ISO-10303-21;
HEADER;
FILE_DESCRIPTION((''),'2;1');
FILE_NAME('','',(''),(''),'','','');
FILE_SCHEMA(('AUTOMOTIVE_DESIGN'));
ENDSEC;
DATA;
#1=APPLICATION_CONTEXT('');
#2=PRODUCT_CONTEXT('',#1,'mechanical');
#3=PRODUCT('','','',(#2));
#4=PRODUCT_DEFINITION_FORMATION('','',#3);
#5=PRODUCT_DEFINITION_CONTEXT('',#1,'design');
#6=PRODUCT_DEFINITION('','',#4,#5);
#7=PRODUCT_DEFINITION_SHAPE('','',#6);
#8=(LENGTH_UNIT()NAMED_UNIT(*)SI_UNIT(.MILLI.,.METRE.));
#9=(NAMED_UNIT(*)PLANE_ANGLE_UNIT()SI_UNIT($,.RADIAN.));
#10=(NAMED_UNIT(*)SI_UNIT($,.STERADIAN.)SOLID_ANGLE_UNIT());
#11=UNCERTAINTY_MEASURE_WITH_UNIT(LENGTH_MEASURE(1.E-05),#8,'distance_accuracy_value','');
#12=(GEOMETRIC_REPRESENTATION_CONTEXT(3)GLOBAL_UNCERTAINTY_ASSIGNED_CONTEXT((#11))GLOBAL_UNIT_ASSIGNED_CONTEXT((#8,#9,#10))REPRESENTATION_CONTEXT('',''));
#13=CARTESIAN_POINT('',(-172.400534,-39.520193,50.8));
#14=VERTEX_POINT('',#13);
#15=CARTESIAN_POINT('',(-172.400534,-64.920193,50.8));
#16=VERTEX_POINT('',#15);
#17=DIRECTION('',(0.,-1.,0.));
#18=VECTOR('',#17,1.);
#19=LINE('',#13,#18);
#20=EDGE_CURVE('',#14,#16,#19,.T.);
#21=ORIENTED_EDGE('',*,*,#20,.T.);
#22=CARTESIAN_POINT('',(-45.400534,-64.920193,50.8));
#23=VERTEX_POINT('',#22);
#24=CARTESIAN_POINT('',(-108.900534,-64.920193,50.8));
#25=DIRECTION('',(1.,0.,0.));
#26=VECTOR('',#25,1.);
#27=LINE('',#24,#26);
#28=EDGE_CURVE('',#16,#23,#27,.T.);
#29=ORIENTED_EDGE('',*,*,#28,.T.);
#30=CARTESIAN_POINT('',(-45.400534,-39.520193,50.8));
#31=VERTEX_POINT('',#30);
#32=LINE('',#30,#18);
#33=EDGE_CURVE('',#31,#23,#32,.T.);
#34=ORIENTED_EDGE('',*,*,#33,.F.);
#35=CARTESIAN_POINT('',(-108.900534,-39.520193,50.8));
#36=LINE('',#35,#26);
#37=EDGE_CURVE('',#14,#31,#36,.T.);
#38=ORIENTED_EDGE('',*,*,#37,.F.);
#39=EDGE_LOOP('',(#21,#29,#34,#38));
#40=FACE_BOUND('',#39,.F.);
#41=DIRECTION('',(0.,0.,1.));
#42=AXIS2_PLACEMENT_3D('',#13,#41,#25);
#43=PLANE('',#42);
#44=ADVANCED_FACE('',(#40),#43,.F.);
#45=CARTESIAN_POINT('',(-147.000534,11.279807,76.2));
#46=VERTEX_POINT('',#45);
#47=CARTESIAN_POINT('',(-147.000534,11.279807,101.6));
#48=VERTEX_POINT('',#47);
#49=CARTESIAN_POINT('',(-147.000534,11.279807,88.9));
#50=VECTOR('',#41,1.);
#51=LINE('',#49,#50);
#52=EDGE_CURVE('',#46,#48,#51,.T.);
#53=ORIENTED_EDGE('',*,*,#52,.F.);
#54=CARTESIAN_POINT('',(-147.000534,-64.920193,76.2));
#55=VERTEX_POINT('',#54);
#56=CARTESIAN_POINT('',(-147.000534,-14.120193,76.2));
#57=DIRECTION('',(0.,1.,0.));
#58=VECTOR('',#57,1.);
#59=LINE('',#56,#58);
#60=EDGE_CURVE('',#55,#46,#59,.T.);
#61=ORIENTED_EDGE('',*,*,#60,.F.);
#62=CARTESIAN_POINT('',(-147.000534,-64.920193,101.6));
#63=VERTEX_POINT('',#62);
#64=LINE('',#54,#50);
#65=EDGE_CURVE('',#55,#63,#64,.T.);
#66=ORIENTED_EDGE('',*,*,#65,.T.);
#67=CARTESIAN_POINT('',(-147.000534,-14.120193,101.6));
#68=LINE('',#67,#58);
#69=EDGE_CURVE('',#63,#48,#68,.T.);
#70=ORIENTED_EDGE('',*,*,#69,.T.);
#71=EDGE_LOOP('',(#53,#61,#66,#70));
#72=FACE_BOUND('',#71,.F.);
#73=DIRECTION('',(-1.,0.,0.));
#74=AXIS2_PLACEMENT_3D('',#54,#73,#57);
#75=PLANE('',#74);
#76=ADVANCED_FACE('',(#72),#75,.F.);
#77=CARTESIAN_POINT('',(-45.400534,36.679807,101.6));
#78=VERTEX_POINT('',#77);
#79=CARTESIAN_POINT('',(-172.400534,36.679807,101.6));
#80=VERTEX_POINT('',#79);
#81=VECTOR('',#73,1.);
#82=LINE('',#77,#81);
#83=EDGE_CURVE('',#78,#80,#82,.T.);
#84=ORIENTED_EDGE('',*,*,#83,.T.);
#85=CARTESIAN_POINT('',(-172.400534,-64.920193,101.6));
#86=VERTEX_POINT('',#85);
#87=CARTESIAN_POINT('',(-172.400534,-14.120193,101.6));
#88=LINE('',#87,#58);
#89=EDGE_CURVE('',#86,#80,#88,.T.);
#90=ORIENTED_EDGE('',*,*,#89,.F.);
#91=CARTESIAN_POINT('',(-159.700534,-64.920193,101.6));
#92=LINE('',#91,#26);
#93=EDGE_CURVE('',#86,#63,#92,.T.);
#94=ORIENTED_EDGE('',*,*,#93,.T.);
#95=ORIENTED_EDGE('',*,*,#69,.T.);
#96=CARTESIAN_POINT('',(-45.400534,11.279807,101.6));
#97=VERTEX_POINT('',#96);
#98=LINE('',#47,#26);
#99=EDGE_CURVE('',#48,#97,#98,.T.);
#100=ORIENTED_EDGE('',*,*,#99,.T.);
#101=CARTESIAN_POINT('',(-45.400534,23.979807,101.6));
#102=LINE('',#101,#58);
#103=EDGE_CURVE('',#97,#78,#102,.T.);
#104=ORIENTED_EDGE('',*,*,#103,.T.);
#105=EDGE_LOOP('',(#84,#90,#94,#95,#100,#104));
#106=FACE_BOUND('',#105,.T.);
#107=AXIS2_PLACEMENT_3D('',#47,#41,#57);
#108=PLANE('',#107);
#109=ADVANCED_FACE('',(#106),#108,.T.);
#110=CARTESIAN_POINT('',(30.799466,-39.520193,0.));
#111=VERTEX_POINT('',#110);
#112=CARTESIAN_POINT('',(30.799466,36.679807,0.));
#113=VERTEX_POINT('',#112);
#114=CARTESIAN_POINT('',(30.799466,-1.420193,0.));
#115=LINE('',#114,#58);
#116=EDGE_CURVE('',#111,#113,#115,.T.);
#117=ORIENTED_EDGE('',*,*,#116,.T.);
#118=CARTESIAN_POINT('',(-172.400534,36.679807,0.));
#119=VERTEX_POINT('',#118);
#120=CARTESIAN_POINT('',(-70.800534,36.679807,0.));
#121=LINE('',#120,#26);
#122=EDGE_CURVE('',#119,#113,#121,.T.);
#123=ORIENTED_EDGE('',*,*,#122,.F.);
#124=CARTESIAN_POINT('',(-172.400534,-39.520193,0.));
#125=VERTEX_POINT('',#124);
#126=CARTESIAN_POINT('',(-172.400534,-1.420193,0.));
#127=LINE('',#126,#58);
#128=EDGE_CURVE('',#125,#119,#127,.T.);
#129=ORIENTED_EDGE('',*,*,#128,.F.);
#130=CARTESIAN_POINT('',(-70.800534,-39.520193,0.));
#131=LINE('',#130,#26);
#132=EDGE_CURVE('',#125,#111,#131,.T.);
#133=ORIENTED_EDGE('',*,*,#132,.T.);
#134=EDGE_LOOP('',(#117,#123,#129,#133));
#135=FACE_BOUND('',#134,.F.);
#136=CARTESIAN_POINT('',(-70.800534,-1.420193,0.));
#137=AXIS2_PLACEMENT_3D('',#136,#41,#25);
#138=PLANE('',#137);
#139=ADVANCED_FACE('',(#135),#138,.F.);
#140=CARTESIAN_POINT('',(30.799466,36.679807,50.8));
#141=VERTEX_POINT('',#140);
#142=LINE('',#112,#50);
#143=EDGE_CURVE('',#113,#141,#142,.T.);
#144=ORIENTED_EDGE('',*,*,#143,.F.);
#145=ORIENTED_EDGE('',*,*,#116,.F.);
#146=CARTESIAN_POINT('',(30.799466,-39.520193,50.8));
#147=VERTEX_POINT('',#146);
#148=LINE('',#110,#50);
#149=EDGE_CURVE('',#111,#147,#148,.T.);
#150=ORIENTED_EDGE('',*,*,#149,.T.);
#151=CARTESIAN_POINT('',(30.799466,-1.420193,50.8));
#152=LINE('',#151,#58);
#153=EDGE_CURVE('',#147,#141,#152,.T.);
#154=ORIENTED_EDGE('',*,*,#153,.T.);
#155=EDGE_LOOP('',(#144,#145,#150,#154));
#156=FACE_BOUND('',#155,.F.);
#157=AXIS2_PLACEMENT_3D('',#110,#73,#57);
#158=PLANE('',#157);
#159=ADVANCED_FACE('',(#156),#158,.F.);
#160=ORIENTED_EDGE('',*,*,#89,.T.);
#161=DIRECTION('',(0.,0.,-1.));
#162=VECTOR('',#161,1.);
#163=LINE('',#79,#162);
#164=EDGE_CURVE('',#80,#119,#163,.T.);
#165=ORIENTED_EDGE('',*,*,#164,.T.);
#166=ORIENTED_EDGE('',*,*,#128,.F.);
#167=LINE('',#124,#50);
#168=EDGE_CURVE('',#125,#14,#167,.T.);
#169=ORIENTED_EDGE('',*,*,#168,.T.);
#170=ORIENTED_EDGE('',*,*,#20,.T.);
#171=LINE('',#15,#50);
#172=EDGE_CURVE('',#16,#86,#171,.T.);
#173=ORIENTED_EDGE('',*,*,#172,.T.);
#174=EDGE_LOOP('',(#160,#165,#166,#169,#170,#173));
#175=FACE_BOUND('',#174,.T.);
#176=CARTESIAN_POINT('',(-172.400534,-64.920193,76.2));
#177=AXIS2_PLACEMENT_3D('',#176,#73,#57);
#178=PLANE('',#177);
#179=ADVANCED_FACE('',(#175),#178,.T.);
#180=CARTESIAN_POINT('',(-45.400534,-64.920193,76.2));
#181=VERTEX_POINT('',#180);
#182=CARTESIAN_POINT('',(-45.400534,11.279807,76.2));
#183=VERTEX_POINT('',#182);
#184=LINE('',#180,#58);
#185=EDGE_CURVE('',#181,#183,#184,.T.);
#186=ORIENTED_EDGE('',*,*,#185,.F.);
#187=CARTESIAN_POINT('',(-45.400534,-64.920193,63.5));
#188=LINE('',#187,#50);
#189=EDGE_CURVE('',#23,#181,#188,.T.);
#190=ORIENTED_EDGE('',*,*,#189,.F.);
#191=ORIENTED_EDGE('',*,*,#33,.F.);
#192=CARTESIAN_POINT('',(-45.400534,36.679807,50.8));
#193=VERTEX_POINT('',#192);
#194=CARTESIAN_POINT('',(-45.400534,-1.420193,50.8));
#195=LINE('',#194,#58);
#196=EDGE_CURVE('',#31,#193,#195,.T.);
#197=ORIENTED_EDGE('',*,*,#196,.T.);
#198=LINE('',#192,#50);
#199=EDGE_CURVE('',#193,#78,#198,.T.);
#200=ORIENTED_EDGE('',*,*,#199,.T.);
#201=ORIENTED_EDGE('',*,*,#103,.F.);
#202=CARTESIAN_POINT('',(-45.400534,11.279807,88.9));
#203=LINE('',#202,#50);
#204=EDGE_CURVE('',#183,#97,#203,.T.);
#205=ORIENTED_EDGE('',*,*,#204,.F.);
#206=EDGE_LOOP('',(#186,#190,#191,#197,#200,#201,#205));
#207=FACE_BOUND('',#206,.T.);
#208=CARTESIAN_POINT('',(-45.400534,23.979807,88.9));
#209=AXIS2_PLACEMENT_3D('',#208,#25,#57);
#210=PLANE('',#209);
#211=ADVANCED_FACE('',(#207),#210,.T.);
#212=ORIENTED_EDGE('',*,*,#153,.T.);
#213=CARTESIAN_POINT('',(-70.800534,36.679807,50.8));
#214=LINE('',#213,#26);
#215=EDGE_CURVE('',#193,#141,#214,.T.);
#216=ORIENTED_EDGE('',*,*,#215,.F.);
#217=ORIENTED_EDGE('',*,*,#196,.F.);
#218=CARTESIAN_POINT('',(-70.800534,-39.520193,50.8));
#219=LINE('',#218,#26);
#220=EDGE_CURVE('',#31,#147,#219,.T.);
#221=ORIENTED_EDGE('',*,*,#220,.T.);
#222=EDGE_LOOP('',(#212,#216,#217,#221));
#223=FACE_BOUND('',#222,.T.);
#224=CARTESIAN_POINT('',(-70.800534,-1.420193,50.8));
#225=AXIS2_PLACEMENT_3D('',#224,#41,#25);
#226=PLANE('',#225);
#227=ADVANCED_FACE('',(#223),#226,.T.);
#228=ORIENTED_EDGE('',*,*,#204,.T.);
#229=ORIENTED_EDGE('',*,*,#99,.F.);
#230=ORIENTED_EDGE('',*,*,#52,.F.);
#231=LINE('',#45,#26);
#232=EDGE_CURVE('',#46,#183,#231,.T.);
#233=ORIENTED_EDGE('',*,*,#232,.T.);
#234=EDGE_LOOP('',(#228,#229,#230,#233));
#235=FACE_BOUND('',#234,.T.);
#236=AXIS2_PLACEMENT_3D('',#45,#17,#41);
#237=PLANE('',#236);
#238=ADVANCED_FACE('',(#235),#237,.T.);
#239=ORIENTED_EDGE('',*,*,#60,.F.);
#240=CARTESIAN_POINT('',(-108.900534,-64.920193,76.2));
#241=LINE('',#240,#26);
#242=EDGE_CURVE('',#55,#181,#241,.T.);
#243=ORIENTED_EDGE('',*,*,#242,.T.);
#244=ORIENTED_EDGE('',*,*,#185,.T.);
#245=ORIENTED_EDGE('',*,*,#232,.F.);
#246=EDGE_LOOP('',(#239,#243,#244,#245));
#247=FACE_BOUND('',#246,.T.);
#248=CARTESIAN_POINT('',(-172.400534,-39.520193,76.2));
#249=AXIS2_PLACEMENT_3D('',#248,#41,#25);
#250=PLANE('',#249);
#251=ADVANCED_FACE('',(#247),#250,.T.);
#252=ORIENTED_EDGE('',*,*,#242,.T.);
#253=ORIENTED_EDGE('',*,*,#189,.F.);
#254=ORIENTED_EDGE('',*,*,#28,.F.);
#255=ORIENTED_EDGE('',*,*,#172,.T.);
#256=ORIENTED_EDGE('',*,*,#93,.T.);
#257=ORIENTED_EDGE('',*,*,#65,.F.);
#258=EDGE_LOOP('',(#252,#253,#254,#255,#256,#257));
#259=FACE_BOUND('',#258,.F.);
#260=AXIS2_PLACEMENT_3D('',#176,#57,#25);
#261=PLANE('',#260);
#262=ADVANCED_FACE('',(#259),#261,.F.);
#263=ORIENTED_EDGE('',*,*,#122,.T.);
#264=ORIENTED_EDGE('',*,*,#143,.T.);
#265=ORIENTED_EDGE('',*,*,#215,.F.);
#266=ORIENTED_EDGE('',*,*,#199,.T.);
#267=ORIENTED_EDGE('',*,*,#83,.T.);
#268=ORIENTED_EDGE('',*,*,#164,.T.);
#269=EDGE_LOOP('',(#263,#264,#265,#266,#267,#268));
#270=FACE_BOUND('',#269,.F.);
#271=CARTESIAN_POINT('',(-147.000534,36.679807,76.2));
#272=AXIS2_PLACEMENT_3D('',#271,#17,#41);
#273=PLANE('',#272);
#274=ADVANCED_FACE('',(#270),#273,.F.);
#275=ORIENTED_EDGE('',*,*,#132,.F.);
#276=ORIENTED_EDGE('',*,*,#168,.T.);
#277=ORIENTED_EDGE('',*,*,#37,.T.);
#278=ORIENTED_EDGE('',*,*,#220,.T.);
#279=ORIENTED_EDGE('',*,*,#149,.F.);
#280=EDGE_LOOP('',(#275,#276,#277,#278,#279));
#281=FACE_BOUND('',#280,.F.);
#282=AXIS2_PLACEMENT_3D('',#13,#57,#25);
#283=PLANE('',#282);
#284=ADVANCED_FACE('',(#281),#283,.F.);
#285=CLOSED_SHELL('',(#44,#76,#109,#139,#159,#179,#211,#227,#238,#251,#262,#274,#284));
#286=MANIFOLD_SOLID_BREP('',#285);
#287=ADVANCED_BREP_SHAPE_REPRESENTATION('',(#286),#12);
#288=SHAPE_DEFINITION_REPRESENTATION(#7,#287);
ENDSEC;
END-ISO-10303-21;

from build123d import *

# Parameters (mm, degrees)
F0_W     = 203.2
F0_H     = 76.2
F1_DEPTH = 50.8
F2_W     = 127
F2_H     = 76.2
F3_DEPTH = 25.4
F4_W     = 127
F4_H     = 25.4
F5_DEPTH = 25.4
F6_W     = 25.4
F6_H     = 101.6
F7_DEPTH = 25.4
F8_W     = 25.4
F8_H     = 25.4
F9_DEPTH = 101.6


with BuildPart() as f1:
    # F0 (on Top) → F1 (new body)
    with BuildSketch(Plane.XY):
        with Locations((-70.800534153, -1.4201928914)):
            Rectangle(F0_W, F0_H)
    extrude(amount=F1_DEPTH)

    # F2 (on face) → F3 (join)
    with BuildSketch(Plane.XY.offset(50.8)):
        with Locations((-108.900534153, -1.4201928914)):
            Rectangle(F2_W, F2_H)
    extrude(amount=F3_DEPTH)

    # F4 (on face) → F5 (join)
    with BuildSketch(Plane.XZ.offset(39.5201928914)):
        with Locations((-108.900534153, 63.5)):
            Rectangle(F4_W, F4_H)
    extrude(amount=F5_DEPTH)

    # F6 (on face) → F7 (join)
    with BuildSketch(Plane.XY.offset(76.2)):
        with Locations((-159.700534153, -14.1201928914)):
            Rectangle(F6_W, F6_H)
    extrude(amount=F7_DEPTH)

    # F8 (on face) → F9 (join)
    with BuildSketch(Plane.YZ.offset(-147.000534153)):
        with Locations((23.9798071086, 88.9)):
            Rectangle(F8_W, F8_H)
    extrude(amount=F9_DEPTH)


solid = f1.part
